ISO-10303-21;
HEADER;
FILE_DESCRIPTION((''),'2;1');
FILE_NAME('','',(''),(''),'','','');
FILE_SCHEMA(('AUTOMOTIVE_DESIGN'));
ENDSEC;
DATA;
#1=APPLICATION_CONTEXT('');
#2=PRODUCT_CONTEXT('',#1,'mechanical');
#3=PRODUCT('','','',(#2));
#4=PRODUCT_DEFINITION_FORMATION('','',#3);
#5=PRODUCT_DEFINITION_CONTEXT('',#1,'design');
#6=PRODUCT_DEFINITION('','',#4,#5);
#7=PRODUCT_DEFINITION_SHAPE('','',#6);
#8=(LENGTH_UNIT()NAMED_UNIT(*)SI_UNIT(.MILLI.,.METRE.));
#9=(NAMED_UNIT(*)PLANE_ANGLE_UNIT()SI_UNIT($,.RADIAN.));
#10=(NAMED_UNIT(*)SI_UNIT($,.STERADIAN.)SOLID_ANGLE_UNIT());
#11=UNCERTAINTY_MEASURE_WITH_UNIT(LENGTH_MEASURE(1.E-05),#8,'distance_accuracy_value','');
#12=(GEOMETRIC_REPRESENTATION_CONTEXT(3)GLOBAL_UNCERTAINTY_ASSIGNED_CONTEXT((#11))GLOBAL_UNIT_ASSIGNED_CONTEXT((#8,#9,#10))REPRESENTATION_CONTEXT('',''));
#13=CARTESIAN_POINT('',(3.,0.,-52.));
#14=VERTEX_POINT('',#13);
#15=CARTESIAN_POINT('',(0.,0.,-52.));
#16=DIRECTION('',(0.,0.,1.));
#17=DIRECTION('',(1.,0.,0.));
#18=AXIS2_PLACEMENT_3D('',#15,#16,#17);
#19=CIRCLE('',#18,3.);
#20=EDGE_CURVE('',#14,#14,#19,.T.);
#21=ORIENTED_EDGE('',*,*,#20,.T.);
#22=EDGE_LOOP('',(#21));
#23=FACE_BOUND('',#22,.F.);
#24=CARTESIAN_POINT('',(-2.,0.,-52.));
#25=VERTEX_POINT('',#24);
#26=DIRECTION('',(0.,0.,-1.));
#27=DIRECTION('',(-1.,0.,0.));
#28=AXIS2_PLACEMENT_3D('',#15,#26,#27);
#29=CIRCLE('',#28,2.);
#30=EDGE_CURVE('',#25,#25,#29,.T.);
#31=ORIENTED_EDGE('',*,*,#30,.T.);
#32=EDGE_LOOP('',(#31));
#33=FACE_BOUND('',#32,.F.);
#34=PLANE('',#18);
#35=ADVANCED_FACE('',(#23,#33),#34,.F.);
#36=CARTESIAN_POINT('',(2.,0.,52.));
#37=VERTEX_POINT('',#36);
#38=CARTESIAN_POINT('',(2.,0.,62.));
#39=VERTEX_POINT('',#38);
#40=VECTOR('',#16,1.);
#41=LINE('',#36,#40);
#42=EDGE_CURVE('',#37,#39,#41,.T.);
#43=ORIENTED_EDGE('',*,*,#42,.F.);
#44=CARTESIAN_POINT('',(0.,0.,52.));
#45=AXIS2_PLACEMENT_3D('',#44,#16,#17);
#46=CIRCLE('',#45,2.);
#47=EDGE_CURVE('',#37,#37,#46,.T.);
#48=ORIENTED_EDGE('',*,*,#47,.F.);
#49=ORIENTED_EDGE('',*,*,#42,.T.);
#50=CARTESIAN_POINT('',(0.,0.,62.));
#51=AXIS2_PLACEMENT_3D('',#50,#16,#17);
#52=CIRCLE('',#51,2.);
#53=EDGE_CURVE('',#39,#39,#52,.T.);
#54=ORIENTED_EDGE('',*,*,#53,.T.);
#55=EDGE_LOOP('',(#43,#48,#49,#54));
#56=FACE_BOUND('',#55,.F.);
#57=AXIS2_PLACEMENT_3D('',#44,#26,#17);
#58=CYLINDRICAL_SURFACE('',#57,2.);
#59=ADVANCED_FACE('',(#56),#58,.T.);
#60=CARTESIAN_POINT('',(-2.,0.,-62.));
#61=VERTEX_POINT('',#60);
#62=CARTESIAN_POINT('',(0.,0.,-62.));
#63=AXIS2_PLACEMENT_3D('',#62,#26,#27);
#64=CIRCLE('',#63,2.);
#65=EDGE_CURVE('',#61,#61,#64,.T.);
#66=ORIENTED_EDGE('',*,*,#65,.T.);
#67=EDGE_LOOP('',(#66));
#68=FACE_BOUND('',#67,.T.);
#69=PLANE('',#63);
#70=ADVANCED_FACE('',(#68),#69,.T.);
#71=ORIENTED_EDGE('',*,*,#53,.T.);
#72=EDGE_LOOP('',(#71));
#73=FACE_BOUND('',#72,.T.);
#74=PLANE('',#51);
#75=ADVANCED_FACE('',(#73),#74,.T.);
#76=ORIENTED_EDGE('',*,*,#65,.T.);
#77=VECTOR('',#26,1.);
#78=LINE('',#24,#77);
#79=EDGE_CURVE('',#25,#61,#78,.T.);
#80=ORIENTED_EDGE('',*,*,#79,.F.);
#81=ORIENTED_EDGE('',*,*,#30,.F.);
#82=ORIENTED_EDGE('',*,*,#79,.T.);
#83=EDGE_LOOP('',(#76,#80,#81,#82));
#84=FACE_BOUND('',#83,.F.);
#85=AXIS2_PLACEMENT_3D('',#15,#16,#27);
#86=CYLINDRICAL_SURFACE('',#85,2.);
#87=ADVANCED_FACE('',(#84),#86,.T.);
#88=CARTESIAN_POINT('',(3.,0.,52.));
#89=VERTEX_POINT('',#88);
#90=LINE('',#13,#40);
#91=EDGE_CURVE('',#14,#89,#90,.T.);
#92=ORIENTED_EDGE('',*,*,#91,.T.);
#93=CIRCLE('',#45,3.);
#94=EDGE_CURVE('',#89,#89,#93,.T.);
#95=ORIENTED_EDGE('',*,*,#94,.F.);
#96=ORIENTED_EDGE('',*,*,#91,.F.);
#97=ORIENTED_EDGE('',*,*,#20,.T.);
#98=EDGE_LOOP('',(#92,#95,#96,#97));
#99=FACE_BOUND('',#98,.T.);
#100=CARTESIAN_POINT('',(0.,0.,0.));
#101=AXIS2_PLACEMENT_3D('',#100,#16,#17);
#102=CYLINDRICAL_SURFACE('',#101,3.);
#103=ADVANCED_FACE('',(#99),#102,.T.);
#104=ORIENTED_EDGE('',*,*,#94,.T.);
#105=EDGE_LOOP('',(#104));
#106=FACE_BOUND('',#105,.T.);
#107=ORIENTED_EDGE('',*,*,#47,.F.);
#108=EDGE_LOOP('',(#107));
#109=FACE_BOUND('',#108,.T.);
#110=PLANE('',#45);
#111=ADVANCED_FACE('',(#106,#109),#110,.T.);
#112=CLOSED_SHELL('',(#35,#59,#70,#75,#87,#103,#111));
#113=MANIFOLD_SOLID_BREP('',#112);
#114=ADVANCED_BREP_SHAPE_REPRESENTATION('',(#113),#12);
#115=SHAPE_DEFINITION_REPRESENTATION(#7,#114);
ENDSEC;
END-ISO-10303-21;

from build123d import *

# Parameters (mm, degrees)
SKETCH1_R           = 3
BOSS_EXTRUDE1_DEPTH = 52
SKETCH2_R           = 2
BOSS_EXTRUDE2_DEPTH = 10
SKETCH3_R           = 2
BOSS_EXTRUDE3_DEPTH = 10


with BuildPart() as part:
    # Sketch1 → Boss-Extrude1 (new body, symmetric)
    with BuildSketch(Plane.XY):
        Circle(SKETCH1_R)
    extrude(amount=BOSS_EXTRUDE1_DEPTH, both=True)

    # Sketch2 → Boss-Extrude2 (add)
    with BuildSketch(Plane.XY.offset(52)):
        Circle(SKETCH2_R)
    extrude(amount=BOSS_EXTRUDE2_DEPTH)

    # Sketch3 → Boss-Extrude3 (add)
    with BuildSketch(Plane(origin=(0, 0, -52), x_dir=(-1, 0, 0), z_dir=(0, 0, -1))):
        Circle(SKETCH3_R)
    extrude(amount=BOSS_EXTRUDE3_DEPTH)


solid = part.part
